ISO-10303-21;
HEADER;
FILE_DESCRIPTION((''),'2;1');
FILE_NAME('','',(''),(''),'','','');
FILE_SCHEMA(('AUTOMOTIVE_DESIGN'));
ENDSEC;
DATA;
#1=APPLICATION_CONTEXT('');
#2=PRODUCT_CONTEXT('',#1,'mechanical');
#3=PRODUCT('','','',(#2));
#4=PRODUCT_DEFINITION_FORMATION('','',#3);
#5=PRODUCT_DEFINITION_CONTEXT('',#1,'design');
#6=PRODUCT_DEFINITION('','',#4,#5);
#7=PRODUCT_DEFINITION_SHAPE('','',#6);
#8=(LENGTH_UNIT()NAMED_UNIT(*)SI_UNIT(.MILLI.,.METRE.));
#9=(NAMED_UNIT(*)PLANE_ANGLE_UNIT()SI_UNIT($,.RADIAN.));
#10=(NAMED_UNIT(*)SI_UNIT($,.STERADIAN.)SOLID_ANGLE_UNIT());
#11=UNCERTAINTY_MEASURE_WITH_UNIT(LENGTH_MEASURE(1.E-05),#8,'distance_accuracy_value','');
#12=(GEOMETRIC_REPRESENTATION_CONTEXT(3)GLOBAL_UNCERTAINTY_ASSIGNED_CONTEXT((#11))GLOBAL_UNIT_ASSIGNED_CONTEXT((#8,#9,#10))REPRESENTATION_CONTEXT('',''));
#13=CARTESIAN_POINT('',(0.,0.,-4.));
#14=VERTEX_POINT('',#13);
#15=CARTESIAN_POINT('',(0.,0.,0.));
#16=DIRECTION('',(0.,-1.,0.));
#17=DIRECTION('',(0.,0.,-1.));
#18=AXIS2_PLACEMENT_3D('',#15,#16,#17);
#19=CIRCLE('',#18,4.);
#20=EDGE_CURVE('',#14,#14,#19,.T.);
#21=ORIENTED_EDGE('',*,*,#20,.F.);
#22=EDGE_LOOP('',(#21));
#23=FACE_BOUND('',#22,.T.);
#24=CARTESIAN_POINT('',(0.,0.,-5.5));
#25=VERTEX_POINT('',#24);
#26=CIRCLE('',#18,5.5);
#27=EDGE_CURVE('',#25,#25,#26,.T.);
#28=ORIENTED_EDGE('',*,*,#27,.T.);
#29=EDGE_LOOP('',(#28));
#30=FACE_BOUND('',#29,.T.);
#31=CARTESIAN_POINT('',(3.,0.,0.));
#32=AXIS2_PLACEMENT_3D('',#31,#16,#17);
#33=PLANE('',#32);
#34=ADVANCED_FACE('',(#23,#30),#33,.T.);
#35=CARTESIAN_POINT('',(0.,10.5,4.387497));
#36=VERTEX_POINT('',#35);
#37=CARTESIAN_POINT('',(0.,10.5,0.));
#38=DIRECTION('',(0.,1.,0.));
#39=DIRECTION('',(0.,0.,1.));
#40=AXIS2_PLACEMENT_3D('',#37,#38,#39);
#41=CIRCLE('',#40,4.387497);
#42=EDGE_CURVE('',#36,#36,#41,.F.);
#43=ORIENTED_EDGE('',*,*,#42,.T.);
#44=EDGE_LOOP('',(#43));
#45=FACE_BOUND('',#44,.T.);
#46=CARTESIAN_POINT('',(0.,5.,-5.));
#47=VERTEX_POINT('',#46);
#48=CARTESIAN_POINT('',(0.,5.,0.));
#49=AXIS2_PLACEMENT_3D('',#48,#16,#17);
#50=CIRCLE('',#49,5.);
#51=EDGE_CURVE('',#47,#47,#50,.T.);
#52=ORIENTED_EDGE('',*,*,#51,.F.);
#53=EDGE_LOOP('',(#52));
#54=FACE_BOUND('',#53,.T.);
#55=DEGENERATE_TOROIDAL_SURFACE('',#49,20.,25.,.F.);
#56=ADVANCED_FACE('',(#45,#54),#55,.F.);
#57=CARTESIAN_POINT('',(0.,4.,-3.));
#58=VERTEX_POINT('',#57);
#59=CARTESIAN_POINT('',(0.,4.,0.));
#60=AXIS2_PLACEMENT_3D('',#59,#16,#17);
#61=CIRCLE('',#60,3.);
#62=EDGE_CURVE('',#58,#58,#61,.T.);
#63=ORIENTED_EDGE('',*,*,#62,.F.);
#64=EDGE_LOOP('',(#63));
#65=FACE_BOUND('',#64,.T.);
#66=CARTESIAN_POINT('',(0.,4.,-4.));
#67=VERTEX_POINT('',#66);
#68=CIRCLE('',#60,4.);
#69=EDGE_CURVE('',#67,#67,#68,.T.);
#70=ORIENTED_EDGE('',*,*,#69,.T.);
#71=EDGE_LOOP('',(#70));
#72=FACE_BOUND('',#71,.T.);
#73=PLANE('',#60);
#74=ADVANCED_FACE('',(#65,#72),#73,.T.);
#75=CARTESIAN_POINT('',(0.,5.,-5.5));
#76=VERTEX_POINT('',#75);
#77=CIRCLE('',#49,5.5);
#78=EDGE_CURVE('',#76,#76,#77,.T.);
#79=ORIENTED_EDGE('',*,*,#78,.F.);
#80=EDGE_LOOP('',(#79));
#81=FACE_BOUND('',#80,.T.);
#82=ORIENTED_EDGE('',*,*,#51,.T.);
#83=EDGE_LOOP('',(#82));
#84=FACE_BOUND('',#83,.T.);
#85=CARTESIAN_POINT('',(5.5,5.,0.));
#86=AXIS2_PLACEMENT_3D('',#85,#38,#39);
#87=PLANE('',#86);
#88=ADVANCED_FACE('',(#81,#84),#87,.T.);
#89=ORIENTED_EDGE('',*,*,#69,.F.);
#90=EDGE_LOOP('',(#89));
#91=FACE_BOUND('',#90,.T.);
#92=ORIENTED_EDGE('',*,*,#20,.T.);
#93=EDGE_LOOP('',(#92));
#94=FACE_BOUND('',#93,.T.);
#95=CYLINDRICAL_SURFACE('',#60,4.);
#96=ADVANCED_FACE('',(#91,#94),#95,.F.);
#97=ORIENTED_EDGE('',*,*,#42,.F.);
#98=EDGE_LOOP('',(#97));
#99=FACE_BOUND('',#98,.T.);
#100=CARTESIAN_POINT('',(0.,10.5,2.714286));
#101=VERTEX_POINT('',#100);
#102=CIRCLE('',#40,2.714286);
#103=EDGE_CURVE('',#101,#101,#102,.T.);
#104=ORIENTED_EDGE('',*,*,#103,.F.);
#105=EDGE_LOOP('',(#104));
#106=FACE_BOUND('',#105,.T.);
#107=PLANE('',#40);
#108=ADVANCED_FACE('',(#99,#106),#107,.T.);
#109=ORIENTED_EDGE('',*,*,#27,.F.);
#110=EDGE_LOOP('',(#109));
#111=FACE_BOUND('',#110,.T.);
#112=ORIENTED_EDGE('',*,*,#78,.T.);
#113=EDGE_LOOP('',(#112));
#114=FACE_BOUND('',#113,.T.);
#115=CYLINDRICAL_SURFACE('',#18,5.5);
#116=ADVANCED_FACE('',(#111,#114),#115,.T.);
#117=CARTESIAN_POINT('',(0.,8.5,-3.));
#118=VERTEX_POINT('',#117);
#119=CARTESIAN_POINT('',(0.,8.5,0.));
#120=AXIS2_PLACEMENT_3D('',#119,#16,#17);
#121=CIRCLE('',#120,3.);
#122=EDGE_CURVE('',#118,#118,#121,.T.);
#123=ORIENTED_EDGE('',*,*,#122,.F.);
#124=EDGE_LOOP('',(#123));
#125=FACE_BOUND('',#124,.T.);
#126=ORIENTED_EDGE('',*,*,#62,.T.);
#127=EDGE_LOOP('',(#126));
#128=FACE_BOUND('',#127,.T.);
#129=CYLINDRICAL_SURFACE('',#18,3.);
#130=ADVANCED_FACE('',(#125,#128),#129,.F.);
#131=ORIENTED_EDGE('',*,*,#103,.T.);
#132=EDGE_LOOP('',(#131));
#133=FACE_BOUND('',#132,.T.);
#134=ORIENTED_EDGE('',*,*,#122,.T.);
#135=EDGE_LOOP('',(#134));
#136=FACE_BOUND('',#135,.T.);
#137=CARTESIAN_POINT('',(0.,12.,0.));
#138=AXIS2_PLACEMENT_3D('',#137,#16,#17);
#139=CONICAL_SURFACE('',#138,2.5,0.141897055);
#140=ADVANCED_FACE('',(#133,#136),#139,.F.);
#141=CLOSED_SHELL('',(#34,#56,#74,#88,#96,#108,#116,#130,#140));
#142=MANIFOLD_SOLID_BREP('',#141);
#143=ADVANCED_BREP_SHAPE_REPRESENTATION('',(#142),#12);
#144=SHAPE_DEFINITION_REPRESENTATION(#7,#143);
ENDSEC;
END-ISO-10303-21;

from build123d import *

# Parameters (mm, degrees)
SKETCH_2_R          = 4
CUT_EXTRUDE_1_DEPTH = 4
SKETCH_3_R          = 5.5
SKETCH_3_R_2        = 2.5
CUT_EXTRUDE_2_DEPTH = 1.5


with BuildPart() as part:
    # Эскиз1 → Повернуть1 (revolve)
    with BuildSketch(Plane.XY):
        with BuildLine():
            Line((3, 0), (5.5, 0))
            Line((5.5, 0), (5.5, 5))
            Line((5.5, 5), (5, 5))
            ThreePointArc((5, 5), (4.748737342, 8.535533906), (4, 12))
            Line((4, 12), (2.5, 12))
            Line((2.5, 12), (3, 8.5))
            Line((3, 8.5), (3, 0))
        make_face()
    revolve(axis=Axis((0, 0, 0), (0, 1, 0)))

    # Эскиз2 → Вырез-Вытянуть1 (cut)
    with BuildSketch(Plane.XZ):
        Circle(SKETCH_2_R)
    extrude(amount=-CUT_EXTRUDE_1_DEPTH, mode=Mode.SUBTRACT)

    # Эскиз3 → Вырез-Вытянуть2 (cut)
    with BuildSketch(Plane(origin=(0, 12, 0), x_dir=(1, 0, 0), z_dir=(0, 1, 0))):
        Circle(SKETCH_3_R)
        Circle(SKETCH_3_R_2, mode=Mode.SUBTRACT)
    extrude(amount=-CUT_EXTRUDE_2_DEPTH, mode=Mode.SUBTRACT)


solid = part.part
